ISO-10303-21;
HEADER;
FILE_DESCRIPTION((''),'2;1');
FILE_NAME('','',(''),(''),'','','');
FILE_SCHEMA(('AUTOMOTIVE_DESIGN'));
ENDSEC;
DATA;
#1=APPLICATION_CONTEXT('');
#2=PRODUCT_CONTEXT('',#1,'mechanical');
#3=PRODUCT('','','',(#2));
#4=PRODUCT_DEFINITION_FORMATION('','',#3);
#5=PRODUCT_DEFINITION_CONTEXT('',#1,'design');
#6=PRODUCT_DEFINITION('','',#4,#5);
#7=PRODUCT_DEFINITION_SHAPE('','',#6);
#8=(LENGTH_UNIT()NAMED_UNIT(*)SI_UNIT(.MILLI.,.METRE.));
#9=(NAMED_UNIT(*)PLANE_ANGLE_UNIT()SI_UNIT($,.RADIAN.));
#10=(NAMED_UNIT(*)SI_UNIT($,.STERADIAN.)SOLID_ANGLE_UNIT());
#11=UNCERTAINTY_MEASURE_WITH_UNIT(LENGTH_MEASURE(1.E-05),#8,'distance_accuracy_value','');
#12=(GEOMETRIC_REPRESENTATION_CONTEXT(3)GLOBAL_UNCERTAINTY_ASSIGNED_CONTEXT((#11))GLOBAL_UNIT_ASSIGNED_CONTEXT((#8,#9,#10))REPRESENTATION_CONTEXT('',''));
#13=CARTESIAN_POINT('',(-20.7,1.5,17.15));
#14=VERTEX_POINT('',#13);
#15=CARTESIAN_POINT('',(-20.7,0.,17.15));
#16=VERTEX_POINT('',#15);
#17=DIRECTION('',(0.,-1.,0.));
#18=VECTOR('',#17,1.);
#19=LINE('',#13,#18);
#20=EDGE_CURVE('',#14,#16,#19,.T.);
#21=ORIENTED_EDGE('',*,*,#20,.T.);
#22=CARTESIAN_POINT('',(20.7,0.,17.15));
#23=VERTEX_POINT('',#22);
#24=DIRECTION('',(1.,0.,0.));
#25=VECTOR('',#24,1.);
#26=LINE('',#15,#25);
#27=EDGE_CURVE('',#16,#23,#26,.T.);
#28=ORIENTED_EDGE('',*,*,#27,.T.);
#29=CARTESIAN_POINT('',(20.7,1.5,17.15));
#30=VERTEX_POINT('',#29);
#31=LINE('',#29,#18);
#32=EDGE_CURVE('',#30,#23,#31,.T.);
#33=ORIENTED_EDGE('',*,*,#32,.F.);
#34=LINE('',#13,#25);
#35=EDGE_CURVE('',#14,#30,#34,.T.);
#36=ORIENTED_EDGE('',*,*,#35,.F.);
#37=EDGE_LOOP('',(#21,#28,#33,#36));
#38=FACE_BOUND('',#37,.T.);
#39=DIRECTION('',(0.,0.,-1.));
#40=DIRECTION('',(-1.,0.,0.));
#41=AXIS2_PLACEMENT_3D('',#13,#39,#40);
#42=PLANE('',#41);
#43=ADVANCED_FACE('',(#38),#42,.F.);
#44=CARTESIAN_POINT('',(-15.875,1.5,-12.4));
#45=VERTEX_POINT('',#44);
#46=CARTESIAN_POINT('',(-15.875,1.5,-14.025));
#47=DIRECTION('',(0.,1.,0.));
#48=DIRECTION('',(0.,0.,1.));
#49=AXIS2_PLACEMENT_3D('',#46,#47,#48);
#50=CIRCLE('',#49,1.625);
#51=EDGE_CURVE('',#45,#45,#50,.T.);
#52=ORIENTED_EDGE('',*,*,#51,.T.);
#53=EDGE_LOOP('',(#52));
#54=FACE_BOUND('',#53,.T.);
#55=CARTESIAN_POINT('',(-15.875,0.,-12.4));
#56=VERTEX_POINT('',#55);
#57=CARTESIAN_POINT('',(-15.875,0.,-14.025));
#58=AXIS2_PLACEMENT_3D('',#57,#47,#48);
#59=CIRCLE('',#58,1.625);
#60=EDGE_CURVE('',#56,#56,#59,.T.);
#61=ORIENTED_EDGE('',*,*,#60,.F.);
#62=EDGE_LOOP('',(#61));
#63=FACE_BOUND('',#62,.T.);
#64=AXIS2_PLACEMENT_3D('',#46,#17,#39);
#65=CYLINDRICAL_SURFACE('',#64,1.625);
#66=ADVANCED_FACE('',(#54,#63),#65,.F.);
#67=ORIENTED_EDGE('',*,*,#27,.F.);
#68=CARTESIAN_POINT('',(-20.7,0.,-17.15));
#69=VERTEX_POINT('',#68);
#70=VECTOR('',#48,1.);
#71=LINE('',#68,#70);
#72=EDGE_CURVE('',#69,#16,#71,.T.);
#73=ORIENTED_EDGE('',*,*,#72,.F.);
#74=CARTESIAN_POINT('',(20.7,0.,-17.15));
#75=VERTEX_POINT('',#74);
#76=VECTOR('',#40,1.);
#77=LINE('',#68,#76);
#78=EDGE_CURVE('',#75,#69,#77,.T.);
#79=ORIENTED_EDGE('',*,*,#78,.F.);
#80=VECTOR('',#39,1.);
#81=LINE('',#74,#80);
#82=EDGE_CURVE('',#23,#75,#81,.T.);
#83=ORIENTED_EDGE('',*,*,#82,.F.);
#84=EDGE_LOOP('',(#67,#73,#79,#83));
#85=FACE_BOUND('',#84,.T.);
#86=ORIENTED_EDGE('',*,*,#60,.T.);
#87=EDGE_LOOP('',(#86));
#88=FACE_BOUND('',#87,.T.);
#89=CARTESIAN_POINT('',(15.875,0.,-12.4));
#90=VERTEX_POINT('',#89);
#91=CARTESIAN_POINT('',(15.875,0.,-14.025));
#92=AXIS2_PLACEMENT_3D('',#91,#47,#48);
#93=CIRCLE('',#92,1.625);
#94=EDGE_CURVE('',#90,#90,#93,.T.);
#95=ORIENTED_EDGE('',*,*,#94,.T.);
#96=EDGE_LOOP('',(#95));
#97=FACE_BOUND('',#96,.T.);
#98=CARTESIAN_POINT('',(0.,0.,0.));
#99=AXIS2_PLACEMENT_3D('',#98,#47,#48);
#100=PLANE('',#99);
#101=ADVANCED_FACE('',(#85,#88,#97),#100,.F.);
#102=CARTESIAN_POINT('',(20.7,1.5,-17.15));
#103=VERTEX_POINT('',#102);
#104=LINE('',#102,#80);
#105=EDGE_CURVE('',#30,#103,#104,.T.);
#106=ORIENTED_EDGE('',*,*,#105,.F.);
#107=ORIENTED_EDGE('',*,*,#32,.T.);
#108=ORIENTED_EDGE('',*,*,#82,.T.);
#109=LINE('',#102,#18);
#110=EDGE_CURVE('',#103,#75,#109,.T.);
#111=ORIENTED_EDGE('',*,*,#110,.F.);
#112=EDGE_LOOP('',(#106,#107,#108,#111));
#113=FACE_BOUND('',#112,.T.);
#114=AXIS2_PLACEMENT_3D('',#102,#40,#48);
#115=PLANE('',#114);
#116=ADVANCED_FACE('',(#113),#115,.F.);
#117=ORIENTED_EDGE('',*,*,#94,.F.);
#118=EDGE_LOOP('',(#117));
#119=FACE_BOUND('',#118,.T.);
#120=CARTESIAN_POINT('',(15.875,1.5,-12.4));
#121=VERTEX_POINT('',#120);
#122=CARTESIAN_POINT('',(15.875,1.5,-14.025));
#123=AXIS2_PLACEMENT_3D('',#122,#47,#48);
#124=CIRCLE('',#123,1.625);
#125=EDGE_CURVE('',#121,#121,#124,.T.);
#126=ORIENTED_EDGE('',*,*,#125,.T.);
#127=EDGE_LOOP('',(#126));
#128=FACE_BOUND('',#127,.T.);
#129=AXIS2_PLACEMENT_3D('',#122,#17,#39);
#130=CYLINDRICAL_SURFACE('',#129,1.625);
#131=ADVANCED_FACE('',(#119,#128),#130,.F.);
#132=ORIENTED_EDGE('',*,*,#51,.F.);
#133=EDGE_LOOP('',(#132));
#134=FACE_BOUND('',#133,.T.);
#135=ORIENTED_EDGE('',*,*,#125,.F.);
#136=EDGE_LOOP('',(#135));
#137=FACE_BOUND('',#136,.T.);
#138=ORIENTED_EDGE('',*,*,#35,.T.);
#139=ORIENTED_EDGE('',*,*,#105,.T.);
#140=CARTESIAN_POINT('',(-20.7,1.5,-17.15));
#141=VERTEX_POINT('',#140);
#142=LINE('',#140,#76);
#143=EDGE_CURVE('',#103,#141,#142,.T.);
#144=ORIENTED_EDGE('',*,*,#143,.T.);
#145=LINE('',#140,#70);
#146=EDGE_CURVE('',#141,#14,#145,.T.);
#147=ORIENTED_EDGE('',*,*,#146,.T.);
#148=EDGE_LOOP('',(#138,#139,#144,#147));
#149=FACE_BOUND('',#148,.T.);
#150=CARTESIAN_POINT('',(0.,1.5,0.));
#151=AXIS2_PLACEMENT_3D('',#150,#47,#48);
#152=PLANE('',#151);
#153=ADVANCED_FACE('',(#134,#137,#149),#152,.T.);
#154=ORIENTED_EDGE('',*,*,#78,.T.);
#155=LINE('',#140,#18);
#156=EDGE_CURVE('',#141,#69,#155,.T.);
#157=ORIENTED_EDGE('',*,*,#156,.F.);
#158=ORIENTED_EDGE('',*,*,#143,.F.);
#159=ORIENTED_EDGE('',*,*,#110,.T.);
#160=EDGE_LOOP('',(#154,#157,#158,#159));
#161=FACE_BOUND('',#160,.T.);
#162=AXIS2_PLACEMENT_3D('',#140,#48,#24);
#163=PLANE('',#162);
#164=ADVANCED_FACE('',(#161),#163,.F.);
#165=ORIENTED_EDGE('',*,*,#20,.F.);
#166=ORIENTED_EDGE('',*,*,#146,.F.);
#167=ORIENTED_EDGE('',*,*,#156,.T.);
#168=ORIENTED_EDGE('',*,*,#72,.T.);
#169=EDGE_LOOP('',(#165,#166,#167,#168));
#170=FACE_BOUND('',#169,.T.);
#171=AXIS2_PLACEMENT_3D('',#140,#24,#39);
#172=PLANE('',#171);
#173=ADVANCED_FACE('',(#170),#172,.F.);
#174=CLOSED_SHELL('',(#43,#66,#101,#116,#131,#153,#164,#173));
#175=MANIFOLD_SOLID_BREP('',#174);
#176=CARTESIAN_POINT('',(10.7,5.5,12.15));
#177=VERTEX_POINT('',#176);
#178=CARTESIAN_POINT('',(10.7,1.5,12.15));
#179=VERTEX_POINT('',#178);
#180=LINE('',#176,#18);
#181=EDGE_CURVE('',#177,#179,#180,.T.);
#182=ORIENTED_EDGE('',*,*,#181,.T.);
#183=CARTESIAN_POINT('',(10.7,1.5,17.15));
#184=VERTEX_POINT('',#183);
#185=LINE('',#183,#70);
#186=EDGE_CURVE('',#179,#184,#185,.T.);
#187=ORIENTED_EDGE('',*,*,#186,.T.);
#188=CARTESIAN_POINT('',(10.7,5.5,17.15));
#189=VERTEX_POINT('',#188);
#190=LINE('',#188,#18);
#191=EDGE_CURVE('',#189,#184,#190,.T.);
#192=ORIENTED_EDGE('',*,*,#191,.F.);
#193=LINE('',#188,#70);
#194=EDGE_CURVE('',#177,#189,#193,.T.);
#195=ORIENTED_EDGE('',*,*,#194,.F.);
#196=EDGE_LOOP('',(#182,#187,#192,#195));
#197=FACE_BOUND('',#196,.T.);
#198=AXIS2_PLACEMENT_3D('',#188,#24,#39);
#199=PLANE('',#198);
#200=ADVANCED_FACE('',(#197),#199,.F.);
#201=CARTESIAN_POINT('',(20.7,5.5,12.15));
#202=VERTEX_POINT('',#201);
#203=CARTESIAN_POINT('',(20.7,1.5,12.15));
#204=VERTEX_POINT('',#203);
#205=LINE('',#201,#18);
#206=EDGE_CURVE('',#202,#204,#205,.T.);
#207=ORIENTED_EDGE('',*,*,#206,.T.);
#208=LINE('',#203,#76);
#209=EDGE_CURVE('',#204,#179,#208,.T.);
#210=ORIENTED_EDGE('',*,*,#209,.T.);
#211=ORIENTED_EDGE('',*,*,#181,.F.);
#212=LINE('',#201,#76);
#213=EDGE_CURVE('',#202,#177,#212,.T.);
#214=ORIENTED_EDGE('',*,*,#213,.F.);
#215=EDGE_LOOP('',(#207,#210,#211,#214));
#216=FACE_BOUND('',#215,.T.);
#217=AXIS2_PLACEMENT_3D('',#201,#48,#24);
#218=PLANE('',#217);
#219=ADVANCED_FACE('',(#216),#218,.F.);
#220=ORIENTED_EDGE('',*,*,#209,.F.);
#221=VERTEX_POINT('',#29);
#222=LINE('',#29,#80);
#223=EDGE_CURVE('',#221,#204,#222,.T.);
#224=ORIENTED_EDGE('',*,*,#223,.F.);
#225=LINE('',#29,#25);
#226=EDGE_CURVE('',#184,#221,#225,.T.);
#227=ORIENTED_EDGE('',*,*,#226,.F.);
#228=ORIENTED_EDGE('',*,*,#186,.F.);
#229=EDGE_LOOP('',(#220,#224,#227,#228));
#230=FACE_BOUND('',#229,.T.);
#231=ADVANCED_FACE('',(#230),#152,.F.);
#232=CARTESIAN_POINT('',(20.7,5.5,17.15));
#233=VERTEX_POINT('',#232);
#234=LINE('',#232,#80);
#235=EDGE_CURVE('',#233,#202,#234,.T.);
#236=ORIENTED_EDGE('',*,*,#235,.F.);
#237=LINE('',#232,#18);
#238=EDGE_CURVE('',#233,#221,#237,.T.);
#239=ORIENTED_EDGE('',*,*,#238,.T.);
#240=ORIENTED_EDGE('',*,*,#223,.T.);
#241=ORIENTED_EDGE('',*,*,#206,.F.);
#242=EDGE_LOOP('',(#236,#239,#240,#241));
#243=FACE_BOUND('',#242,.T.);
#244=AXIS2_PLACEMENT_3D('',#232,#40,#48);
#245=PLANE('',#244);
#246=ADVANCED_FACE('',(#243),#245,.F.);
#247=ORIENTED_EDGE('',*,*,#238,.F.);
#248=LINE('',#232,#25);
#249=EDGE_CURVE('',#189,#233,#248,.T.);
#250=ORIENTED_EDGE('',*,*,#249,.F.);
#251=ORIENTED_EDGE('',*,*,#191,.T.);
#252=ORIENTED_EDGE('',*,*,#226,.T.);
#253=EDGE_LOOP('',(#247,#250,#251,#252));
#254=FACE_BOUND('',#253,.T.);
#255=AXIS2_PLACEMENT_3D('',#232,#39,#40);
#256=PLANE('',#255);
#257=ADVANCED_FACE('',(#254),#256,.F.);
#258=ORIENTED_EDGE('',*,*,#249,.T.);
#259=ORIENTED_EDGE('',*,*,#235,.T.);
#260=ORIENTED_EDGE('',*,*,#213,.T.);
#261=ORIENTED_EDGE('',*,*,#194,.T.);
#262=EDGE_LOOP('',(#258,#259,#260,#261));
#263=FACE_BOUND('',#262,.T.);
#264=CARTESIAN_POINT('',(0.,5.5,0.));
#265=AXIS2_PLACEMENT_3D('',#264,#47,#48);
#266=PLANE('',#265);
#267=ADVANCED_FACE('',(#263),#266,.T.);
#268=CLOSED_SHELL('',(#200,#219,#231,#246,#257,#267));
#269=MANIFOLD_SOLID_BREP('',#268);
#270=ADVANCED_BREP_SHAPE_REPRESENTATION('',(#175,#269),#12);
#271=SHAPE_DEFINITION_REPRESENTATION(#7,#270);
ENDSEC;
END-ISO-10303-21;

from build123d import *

# Parameters (mm, degrees)
SKICA1_W                = 41.4
SKICA1_H                = 34.3
SKICA1_R                = 1.625
P_IDAT_VYSUNUT_M1_DEPTH = 1.5
SKICA2_W                = 10
SKICA2_H                = 5
P_IDAT_VYSUNUT_M2_DEPTH = 4


with BuildPart() as part:
    # Skica1 → Přidat vysunutím1 (new body)
    with BuildSketch(Plane(origin=(0, 0, 0), x_dir=(1, 0, 0), z_dir=(0, 1, 0))):
        Rectangle(SKICA1_W, SKICA1_H)
        with Locations(Location((-15.875, 14.025, 0), (0, 0, 270))):
            Circle(SKICA1_R, mode=Mode.SUBTRACT)
        with Locations(Location((15.875, 14.025, 0), (0, 0, 270))):
            Circle(SKICA1_R, mode=Mode.SUBTRACT)
    extrude(amount=P_IDAT_VYSUNUT_M1_DEPTH)


with BuildPart() as body_2:
    # Skica2 → Přidat vysunutím2 (new body)
    with BuildSketch(Plane(origin=(0, 1.5, 0), x_dir=(1, 0, 0), z_dir=(0, 1, 0))):
        with Locations((15.7, -14.65)):
            Rectangle(SKICA2_W, SKICA2_H)
    extrude(amount=P_IDAT_VYSUNUT_M2_DEPTH)


solid = Compound([part.part, body_2.part])
